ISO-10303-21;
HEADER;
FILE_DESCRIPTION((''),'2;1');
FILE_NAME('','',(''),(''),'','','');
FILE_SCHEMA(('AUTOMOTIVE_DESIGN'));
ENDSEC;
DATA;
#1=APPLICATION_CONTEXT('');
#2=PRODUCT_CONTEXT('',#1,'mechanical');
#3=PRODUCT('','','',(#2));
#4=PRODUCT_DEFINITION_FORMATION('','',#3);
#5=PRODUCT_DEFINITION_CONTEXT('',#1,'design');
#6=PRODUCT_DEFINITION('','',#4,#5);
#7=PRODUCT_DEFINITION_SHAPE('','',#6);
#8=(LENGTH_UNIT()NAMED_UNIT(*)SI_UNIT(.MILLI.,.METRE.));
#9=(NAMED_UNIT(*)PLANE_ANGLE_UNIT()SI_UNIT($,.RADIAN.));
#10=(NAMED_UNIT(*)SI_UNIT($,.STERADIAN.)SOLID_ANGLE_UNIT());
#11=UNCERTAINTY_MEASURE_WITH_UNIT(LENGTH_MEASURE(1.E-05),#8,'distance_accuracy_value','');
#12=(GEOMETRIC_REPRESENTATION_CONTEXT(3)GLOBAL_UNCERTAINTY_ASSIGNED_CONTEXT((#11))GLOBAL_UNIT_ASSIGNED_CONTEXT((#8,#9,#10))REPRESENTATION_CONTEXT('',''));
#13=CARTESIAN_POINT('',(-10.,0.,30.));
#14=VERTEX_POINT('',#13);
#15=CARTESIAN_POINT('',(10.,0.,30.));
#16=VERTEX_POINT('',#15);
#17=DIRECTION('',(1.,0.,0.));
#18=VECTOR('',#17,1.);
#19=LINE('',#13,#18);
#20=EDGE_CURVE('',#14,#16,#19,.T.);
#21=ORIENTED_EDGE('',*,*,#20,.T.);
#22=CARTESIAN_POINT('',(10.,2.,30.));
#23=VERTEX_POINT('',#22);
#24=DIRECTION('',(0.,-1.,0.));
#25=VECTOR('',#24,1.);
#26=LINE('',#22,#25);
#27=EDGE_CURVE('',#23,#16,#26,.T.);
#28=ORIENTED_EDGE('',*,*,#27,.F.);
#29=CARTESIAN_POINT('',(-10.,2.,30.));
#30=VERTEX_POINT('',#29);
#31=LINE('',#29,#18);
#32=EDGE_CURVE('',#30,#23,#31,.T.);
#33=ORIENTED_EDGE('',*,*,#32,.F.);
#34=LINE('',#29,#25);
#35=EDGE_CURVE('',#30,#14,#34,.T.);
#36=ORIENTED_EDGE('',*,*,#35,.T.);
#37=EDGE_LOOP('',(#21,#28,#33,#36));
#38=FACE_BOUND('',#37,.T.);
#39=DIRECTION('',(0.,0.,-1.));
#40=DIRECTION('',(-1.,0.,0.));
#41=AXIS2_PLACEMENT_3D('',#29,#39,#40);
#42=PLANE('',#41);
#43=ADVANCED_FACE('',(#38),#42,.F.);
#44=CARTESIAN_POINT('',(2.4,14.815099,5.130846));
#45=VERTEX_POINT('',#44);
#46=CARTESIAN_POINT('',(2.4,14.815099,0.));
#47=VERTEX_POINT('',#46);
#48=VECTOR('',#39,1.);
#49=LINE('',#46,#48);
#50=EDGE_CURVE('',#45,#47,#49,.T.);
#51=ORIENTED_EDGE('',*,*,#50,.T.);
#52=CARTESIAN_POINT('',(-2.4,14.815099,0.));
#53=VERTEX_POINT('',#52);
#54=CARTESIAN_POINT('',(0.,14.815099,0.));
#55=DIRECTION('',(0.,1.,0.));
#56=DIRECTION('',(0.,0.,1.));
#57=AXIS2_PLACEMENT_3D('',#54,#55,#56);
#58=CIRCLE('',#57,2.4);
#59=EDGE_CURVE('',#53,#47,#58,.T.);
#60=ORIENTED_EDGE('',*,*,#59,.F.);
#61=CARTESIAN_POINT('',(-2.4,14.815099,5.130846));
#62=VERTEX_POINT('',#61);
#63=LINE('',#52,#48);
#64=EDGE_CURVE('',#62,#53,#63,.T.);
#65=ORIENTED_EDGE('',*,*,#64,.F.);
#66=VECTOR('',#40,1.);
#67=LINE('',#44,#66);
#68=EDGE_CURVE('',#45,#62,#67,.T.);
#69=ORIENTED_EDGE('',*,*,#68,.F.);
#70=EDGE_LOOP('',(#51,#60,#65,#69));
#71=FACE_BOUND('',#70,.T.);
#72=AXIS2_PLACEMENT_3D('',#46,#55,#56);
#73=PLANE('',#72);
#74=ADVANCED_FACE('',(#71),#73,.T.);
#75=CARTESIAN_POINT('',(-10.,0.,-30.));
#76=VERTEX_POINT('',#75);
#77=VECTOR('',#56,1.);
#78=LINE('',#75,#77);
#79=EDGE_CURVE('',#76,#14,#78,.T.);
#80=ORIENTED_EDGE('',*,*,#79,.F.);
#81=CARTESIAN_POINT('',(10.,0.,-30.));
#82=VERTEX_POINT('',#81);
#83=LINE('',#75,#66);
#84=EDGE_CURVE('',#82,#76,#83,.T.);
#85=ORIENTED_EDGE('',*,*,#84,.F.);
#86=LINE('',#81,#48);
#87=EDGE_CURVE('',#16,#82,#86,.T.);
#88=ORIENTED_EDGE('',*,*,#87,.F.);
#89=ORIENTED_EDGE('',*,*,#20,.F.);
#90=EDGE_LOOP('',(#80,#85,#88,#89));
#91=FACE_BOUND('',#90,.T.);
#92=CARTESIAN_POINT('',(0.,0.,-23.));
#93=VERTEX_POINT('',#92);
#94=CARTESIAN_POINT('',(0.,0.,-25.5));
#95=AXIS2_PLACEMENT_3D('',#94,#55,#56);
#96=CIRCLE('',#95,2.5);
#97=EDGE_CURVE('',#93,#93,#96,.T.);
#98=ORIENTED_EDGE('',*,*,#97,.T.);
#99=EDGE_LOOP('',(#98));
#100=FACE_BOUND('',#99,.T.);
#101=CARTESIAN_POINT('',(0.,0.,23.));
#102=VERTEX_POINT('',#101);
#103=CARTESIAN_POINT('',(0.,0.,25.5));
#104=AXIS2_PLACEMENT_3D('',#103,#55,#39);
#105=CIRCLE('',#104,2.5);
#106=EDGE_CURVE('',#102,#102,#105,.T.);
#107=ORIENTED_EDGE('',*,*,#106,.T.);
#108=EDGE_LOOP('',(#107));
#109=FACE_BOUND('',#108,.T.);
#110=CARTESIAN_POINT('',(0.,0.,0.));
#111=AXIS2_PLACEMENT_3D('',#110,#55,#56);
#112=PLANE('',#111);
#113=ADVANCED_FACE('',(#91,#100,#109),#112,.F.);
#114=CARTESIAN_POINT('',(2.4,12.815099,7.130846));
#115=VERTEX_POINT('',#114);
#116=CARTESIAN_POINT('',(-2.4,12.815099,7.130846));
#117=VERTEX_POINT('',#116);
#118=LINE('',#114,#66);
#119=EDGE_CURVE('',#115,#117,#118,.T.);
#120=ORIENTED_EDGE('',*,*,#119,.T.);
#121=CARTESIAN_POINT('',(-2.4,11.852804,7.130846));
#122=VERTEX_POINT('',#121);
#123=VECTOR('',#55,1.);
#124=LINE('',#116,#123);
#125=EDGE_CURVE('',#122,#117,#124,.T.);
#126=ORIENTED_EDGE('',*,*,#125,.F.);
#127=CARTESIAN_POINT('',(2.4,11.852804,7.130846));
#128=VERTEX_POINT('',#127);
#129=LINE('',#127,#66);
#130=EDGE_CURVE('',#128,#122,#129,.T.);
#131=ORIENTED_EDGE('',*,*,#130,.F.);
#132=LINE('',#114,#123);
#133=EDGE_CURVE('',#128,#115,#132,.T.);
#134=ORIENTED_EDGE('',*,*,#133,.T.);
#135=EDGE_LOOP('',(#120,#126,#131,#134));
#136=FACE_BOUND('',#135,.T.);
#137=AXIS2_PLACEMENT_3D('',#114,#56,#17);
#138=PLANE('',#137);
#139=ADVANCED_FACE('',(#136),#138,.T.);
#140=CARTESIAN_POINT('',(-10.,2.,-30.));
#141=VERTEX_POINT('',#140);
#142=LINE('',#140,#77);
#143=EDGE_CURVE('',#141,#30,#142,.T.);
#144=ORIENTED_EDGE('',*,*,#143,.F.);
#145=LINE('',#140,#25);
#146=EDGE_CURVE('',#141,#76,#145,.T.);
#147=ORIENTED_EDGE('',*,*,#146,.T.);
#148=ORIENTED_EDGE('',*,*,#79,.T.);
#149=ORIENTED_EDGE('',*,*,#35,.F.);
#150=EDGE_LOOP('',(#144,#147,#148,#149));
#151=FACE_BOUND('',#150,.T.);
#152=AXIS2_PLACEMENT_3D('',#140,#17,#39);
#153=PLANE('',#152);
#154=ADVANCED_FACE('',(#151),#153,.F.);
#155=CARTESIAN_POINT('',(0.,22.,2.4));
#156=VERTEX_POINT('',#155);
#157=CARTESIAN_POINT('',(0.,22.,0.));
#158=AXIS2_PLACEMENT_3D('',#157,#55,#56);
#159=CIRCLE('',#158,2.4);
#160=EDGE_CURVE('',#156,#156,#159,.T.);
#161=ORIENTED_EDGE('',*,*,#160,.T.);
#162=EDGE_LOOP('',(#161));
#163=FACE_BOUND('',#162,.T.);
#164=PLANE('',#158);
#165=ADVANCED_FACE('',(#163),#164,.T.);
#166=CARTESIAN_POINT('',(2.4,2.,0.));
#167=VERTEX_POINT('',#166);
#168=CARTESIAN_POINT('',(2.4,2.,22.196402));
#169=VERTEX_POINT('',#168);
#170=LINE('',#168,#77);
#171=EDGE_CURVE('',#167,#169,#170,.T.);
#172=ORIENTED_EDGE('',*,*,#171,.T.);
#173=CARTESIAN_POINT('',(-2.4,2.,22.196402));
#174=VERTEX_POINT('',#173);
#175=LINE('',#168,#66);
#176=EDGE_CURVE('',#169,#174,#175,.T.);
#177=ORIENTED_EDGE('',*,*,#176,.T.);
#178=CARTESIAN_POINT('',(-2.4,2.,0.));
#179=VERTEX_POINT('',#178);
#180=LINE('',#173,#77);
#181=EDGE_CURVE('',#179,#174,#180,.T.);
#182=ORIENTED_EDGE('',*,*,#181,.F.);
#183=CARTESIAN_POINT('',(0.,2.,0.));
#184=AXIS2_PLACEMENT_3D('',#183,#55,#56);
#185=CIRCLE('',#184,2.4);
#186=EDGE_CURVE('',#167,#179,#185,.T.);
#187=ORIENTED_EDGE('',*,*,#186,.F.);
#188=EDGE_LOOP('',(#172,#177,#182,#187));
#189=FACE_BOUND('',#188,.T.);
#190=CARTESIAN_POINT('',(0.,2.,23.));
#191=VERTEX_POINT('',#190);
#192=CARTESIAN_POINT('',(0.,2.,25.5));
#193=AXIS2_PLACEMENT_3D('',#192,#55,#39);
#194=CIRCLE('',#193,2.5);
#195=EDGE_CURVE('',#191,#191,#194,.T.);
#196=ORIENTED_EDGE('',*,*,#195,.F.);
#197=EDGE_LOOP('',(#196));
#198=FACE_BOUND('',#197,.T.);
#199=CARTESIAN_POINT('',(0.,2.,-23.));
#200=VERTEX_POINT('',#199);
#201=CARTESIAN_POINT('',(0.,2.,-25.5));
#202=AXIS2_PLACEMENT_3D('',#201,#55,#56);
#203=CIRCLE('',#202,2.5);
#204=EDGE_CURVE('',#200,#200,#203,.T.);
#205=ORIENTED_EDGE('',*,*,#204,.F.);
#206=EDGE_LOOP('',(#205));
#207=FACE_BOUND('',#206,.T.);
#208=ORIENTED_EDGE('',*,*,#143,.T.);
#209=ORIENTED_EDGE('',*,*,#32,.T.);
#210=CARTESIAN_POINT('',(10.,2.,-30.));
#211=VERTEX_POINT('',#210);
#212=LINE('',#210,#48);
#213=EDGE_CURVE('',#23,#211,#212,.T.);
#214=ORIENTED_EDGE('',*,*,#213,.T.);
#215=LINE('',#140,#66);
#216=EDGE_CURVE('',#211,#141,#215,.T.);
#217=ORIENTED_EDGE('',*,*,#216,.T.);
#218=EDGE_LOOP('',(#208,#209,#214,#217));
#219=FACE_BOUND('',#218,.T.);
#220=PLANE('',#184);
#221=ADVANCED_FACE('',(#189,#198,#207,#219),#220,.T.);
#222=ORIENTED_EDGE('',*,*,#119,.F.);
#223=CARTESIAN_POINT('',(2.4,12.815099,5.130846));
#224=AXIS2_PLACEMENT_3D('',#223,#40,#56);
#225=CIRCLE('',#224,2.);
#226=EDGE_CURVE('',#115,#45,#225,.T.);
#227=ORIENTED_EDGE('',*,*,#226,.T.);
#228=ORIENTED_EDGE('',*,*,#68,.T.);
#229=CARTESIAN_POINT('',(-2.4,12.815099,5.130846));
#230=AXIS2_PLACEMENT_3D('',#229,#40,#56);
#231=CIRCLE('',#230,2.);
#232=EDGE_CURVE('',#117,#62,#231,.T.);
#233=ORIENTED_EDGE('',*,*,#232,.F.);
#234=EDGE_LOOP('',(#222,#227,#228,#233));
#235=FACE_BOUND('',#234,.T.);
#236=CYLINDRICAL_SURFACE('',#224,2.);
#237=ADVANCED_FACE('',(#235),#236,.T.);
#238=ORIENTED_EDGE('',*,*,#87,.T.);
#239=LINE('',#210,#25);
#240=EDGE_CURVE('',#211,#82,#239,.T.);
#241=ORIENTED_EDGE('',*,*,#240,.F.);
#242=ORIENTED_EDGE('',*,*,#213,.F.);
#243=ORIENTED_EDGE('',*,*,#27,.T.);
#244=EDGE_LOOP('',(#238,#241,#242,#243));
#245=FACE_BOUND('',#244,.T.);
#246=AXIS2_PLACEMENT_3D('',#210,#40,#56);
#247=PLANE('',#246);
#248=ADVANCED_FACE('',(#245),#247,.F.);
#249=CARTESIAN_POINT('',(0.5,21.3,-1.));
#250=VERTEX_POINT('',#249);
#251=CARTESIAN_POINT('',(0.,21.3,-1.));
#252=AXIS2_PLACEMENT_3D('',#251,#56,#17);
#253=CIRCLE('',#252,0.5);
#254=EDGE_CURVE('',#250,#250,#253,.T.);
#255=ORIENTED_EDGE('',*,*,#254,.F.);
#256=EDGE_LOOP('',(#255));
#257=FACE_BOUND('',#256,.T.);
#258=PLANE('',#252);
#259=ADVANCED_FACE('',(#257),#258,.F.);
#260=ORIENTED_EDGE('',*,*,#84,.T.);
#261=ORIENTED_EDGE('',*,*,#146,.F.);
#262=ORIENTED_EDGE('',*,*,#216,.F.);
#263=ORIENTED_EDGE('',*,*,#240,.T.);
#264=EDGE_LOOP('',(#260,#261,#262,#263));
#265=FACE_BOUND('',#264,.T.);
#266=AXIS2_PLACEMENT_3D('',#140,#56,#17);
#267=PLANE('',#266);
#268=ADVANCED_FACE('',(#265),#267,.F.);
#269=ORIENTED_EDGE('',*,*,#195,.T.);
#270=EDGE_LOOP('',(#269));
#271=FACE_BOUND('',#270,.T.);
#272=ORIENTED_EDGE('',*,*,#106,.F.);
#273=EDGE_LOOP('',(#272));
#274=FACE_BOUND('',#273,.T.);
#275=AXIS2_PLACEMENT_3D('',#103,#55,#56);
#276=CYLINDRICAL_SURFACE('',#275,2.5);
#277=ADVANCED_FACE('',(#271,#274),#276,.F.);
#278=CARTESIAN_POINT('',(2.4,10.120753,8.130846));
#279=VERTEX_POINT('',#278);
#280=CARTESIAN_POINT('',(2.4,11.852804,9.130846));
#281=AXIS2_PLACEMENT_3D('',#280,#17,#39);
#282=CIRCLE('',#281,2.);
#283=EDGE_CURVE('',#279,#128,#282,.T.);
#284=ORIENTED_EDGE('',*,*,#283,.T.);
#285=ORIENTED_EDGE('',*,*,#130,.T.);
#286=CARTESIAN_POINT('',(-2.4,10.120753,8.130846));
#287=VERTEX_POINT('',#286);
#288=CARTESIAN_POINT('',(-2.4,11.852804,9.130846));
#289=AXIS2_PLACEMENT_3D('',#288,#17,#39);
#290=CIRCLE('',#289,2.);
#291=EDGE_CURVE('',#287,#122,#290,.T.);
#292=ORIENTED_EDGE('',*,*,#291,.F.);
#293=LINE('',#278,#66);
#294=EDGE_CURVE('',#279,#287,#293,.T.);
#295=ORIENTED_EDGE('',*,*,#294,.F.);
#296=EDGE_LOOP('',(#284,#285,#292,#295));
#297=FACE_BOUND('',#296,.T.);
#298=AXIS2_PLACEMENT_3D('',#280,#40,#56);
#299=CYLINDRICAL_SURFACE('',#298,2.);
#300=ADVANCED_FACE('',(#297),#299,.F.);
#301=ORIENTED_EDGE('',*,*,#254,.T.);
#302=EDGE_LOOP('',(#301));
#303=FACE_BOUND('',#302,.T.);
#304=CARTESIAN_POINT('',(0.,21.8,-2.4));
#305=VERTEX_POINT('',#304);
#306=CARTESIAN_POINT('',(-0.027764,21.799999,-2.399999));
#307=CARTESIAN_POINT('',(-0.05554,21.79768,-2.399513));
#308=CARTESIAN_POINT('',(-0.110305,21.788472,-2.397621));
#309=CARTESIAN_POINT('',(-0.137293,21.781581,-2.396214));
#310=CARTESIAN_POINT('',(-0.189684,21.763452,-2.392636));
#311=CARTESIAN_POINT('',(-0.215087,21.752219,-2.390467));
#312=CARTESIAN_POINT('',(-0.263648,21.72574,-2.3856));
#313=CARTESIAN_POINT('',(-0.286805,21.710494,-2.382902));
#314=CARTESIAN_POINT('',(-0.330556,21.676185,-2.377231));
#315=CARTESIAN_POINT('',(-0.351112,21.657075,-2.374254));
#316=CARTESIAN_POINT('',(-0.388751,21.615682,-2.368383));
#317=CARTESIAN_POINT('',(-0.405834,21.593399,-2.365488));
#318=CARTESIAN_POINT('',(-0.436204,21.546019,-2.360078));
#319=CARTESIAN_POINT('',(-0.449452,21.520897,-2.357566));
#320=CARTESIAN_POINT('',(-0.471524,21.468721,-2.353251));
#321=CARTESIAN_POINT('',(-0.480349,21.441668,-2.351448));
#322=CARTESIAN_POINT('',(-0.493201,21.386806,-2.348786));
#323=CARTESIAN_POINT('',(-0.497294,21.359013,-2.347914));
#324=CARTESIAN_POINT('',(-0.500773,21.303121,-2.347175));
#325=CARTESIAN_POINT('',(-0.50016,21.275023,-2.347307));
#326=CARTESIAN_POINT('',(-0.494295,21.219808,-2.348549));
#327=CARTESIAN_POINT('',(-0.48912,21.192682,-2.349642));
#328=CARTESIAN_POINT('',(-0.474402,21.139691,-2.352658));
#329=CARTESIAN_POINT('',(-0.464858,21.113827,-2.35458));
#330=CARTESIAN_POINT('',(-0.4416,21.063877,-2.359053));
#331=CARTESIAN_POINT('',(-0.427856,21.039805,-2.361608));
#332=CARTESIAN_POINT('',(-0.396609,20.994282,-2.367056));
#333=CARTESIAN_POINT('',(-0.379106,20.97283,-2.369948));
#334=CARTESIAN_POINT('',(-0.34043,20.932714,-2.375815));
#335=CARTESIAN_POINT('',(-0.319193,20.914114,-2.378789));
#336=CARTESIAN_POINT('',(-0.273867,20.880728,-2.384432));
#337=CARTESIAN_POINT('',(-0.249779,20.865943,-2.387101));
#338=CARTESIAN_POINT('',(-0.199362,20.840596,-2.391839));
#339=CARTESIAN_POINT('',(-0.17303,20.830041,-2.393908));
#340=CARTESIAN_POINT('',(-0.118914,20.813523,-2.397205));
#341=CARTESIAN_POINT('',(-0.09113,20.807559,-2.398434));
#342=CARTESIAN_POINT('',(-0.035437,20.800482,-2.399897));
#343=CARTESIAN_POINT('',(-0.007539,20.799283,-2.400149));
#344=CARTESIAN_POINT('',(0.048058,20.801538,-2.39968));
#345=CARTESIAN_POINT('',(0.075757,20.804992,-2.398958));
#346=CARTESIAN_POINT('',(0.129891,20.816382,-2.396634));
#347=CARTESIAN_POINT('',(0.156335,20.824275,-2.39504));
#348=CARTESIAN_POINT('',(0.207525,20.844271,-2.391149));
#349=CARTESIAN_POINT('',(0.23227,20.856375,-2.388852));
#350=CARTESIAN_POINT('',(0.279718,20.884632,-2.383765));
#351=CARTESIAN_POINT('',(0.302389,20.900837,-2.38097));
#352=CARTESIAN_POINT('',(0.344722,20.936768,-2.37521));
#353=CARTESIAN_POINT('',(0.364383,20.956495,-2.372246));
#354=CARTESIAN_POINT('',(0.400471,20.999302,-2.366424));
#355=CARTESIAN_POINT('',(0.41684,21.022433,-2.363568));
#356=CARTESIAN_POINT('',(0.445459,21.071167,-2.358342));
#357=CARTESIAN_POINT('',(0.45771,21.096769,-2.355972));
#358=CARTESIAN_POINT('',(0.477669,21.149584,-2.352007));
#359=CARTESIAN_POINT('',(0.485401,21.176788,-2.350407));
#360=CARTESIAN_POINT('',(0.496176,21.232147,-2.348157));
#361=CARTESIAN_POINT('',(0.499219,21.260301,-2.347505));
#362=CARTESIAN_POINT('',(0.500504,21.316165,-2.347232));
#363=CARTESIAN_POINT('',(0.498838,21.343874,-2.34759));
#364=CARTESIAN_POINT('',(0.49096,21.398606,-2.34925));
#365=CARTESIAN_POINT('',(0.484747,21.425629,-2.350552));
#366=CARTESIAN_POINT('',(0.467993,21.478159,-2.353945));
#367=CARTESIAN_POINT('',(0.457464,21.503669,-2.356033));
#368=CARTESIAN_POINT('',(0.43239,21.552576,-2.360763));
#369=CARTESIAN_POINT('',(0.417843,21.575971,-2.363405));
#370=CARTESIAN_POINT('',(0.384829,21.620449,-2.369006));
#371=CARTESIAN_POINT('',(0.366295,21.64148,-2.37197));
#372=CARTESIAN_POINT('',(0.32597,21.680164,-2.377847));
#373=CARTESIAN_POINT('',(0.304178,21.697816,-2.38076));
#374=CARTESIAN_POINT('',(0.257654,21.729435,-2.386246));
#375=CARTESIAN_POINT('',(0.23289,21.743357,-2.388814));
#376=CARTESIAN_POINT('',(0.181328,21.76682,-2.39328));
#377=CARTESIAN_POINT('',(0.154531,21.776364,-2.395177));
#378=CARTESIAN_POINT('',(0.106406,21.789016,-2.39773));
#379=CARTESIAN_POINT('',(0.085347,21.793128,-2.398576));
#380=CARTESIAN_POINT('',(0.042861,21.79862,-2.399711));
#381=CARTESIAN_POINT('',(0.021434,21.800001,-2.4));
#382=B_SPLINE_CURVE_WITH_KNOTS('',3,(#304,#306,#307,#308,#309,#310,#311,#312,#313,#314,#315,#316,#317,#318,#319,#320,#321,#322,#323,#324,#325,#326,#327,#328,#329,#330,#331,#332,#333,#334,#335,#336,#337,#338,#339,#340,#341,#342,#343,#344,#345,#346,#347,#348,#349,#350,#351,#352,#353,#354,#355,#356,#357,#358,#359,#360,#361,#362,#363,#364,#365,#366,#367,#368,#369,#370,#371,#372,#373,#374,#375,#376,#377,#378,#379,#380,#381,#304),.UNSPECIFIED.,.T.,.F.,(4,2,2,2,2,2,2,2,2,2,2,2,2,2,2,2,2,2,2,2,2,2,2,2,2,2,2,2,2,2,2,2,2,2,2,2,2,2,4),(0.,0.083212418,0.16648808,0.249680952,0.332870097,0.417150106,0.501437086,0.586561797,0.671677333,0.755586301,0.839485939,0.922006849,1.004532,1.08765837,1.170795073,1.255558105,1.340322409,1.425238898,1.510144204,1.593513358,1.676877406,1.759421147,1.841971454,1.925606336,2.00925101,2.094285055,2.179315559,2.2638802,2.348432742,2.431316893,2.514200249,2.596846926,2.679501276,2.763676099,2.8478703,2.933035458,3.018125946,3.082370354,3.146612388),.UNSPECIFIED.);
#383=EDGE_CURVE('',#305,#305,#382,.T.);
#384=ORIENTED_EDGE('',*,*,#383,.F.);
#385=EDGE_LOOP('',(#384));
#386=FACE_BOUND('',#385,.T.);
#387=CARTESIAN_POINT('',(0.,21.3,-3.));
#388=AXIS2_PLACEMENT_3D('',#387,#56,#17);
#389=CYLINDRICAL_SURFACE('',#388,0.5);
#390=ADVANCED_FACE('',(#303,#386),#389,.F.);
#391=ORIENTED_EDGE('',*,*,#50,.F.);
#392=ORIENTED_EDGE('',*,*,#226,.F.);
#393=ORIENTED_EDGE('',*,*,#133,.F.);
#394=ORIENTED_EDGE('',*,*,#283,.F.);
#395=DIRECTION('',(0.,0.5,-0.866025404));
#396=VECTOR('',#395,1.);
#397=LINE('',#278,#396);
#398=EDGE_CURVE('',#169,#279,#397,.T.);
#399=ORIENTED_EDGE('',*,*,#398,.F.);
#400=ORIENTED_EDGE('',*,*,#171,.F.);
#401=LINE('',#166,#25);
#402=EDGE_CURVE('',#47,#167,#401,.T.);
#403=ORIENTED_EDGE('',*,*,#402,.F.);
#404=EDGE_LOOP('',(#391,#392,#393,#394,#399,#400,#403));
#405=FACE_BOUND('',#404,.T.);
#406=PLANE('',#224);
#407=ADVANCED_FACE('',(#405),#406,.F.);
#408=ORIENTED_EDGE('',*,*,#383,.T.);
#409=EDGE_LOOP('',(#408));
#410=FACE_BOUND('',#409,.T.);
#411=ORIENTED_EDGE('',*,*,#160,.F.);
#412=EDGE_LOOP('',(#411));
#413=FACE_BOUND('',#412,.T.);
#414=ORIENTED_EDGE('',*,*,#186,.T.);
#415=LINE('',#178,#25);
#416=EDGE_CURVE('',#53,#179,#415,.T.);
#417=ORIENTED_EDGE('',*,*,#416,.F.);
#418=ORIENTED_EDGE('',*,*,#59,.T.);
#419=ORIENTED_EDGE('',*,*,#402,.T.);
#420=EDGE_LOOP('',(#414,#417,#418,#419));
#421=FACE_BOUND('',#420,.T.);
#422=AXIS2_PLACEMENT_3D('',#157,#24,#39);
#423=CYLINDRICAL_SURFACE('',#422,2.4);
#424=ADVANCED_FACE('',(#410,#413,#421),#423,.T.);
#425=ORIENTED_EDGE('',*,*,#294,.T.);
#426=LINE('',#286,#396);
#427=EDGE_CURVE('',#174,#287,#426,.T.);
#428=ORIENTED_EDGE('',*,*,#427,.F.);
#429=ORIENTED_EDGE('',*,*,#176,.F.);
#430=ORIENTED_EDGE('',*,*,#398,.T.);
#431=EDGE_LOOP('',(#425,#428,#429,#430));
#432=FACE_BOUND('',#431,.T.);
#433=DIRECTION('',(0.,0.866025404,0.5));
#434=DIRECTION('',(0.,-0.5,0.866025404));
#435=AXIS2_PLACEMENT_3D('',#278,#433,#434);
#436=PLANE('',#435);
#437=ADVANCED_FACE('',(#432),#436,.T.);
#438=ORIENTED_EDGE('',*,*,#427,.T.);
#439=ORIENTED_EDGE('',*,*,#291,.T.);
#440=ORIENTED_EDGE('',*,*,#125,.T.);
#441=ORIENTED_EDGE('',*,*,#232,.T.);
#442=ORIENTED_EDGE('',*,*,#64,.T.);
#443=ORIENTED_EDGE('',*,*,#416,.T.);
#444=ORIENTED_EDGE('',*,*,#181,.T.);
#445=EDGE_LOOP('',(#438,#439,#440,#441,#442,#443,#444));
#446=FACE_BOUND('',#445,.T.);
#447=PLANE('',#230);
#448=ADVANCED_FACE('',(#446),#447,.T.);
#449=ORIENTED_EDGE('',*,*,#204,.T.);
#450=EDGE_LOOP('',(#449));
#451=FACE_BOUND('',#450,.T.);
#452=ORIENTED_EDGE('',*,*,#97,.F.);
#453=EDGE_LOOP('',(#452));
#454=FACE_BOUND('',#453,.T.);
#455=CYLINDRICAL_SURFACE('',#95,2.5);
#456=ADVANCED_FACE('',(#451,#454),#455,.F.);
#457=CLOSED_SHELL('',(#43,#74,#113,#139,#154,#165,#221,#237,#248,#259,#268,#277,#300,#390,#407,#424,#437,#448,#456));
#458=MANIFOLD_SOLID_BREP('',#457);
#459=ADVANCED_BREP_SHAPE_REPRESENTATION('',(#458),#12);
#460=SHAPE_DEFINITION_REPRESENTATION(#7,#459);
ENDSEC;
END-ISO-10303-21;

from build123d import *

# Parameters (mm, degrees)
SKETCH1_W           = 20
SKETCH1_H           = 60
BOSS_EXTRUDE1_DEPTH = 2
SKETCH2_R           = 2.5
CUT_EXTRUDE1_DEPTH  = 32.685959036
SKETCH3_R           = 2.4
BOSS_EXTRUDE2_DEPTH = 20
BOSS_EXTRUDE7_DEPTH = 4.8
CUT_EXTRUDE2_START  = -1
SKETCH5_R           = 0.5
CUT_EXTRUDE2_DEPTH  = 2


with BuildPart() as part:
    # Sketch1 → Boss-Extrude1 (new body)
    with BuildSketch(Plane(origin=(0, 0, 0), x_dir=(1, 0, 0), z_dir=(0, 1, 0))):
        Rectangle(SKETCH1_W, SKETCH1_H)
    extrude(amount=BOSS_EXTRUDE1_DEPTH)

    # Sketch2 → Cut-Extrude1 (cut, through all)
    with BuildSketch(Plane(origin=(0, 2, 0), x_dir=(1, 0, 0), z_dir=(0, 1, 0))):
        with Locations(Location((0, 25.5, 0), (0, 0, 270))):
            Circle(SKETCH2_R)
        with Locations(Location((0, -25.5, 0), (0, 0, 90))):
            Circle(SKETCH2_R)
    extrude(amount=-CUT_EXTRUDE1_DEPTH, mode=Mode.SUBTRACT)

    # Sketch3 → Boss-Extrude2 (add)
    with BuildSketch(Plane(origin=(0, 2, 0), x_dir=(1, 0, 0), z_dir=(0, 1, 0))):
        with Locations(Location((0, 0, 0), (0, 0, 270))):
            Circle(SKETCH3_R)
    extrude(amount=BOSS_EXTRUDE2_DEPTH)

    # Sketch4 → Boss-Extrude7 (add)
    with BuildSketch(Plane.ZY.offset(2.4)):
        with BuildLine():
            Line((8.130845775, 10.120752848), (22.196402304, 2))
            Line((22.196402304, 2), (0, 2))
            Line((0, 2), (0, 14.815098845))
            Line((0, 14.815098845), (5.130845775, 14.815098845))
            ThreePointArc((5.130845775, 14.815098845), (6.545059338, 14.229312408), (7.130845775, 12.815098845))
            Line((7.130845775, 12.815098845), (7.130845775, 11.852803656))
            ThreePointArc((7.130845775, 11.852803656), (7.398794968, 10.852803656), (8.130845775, 10.120752848))
        make_face()
    extrude(amount=-BOSS_EXTRUDE7_DEPTH)

    # Sketch5 → Cut-Extrude2 (cut)
    with BuildSketch(Plane.XY.offset(CUT_EXTRUDE2_START)):
        with Locations((0, 21.3)):
            Circle(SKETCH5_R)
    extrude(amount=-CUT_EXTRUDE2_DEPTH, mode=Mode.SUBTRACT)


solid = part.part
